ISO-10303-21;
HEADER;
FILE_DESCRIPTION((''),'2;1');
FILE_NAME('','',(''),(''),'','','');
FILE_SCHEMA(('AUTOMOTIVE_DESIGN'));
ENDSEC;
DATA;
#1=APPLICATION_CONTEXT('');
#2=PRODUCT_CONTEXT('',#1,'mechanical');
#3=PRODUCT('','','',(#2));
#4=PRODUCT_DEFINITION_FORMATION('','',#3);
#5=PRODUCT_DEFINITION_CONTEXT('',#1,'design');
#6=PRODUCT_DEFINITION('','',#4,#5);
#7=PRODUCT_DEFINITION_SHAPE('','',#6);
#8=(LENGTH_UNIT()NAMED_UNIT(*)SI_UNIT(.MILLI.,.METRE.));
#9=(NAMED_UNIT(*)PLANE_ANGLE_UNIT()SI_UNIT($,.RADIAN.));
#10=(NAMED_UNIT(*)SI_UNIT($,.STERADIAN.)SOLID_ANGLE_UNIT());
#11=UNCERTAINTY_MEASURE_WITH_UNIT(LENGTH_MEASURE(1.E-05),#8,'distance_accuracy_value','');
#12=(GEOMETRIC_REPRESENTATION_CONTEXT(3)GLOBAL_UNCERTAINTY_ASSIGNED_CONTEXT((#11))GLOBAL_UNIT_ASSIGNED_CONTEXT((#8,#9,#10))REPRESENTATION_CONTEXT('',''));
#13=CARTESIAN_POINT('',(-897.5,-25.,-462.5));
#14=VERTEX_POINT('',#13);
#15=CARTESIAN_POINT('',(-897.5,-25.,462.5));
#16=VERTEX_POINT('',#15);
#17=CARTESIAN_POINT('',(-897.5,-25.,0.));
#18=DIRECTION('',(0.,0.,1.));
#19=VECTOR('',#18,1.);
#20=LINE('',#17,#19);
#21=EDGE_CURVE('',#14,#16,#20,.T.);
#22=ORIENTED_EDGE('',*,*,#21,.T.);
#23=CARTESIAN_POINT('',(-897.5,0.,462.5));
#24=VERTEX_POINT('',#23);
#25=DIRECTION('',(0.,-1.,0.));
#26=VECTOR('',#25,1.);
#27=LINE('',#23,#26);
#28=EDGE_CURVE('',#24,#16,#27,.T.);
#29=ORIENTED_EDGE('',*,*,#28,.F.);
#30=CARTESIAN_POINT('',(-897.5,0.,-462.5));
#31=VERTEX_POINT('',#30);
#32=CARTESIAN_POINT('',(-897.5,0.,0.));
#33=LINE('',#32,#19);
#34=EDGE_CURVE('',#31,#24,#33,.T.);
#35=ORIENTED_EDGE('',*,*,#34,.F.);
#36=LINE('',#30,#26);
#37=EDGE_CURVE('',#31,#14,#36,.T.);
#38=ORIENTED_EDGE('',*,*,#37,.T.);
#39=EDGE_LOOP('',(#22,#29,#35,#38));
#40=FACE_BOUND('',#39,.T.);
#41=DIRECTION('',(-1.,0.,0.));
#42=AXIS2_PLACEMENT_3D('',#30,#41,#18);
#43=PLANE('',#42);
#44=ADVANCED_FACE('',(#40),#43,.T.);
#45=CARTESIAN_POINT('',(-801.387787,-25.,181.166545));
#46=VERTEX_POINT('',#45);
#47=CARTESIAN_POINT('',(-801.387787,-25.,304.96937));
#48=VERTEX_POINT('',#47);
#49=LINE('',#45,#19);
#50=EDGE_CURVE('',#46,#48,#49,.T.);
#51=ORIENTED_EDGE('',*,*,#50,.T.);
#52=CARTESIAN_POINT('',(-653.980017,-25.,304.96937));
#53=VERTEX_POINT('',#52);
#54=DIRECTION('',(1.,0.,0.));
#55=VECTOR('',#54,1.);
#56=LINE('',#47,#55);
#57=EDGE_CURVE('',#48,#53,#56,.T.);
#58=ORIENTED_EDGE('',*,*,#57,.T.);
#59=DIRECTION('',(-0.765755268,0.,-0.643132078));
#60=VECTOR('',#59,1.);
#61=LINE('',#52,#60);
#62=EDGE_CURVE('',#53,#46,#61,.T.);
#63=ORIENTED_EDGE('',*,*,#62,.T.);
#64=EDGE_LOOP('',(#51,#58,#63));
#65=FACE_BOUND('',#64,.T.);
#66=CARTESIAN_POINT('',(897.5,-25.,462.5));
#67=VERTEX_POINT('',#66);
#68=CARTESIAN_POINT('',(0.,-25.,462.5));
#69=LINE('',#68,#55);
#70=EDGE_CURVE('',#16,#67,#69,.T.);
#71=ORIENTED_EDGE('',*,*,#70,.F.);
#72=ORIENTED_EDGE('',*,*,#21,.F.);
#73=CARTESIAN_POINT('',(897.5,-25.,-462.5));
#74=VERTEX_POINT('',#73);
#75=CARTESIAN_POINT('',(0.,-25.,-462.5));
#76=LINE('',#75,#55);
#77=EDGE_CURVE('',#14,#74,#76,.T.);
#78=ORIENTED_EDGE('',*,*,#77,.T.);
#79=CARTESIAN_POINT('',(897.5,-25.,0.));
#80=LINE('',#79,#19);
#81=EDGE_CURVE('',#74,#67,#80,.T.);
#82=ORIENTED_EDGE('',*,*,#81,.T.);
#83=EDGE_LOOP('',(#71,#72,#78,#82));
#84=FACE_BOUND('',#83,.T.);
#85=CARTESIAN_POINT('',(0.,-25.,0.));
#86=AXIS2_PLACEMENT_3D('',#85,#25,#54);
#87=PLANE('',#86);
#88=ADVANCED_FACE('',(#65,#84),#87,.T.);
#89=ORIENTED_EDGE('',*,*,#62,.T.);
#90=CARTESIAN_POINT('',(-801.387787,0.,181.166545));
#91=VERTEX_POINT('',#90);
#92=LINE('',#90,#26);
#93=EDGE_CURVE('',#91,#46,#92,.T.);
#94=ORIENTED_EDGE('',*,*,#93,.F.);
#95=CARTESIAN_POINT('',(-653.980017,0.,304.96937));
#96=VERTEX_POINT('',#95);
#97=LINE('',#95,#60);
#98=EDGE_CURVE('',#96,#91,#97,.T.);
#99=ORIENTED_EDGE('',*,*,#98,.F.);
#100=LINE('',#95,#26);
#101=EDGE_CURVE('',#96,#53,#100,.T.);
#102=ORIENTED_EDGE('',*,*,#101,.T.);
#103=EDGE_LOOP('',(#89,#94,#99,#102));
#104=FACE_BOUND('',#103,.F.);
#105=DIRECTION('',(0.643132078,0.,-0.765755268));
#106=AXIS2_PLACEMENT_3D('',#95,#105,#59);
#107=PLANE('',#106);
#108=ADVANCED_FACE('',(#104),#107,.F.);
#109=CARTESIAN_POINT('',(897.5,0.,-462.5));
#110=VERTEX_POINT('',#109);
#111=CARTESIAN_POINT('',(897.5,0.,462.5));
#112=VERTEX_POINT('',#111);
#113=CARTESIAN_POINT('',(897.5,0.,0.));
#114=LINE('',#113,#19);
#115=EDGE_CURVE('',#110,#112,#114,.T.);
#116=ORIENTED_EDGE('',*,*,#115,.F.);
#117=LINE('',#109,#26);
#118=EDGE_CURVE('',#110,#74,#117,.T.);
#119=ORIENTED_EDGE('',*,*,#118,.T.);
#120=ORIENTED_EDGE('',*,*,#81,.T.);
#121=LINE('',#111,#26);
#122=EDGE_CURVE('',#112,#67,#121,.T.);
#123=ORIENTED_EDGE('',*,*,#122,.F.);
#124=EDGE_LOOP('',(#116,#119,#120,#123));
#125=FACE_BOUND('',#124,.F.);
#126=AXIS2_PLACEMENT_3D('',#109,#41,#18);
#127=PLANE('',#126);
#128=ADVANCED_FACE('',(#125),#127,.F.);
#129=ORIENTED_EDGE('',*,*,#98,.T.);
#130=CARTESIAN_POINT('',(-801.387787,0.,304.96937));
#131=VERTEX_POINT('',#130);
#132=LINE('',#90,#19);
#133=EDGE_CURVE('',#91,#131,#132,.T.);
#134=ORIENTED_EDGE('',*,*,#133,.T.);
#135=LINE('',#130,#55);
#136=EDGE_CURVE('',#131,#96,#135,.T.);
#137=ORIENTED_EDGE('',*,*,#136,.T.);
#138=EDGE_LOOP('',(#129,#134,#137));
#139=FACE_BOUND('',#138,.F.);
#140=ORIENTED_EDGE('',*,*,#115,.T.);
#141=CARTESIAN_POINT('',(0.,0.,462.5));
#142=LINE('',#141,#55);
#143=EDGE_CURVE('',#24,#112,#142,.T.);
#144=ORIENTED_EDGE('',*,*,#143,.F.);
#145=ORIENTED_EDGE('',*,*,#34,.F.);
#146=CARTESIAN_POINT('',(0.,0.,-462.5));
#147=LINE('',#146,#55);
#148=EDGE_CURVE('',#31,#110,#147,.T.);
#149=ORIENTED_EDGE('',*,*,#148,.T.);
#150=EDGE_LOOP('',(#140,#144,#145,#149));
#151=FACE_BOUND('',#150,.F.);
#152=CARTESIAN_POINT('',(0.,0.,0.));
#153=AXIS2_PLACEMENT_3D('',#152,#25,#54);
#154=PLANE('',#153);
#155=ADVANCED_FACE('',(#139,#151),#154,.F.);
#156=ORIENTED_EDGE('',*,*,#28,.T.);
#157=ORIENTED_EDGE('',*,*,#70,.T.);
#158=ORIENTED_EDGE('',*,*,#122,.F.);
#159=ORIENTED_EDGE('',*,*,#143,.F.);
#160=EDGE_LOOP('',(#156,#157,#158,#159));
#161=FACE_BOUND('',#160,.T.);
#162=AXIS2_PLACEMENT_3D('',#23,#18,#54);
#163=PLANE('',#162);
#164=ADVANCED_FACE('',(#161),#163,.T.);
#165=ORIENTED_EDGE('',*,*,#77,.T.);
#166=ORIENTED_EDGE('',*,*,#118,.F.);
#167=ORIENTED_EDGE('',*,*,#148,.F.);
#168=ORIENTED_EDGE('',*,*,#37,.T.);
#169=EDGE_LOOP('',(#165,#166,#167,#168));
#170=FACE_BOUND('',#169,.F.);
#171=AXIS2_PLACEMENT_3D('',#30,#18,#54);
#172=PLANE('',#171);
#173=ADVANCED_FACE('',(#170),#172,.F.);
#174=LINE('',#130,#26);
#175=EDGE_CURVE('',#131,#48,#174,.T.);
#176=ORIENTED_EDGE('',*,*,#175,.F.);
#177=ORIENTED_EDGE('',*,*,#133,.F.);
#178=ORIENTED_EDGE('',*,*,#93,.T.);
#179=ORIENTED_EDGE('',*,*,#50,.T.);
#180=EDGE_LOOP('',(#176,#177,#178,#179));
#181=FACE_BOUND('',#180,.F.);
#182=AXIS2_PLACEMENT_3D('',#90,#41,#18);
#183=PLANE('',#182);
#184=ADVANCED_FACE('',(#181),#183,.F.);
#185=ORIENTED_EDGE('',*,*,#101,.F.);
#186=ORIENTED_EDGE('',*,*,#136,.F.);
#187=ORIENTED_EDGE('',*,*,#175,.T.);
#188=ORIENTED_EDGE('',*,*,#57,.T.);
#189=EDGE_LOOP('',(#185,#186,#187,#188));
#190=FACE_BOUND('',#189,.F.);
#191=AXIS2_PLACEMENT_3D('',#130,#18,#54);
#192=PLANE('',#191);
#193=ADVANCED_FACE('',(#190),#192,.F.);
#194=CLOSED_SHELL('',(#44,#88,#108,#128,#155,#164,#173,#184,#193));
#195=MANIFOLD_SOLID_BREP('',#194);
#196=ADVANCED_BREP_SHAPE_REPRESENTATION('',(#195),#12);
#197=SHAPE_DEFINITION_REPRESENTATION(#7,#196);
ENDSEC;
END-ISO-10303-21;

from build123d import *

# Parameters (mm, degrees)
F0_W     = 1795
F0_H     = 925
F1_DEPTH = 25
F3_DEPTH = 25


with BuildPart() as f1:
    # F0 (on Front) → F1 (new body)
    with BuildSketch(Plane.XZ):
        Rectangle(F0_W, F0_H)
    extrude(amount=F1_DEPTH)

    # F2 (on face) → F3 (cut, through all)
    with BuildSketch(Plane(origin=(0, 0, 0), x_dir=(-1, 0, 0), z_dir=(0, 1, 0))):
        Polygon((801.387787, 304.96937), (653.980017, 304.96937), (801.387787, 181.166545), align=None)
    extrude(amount=-F3_DEPTH, mode=Mode.SUBTRACT)


solid = f1.part
